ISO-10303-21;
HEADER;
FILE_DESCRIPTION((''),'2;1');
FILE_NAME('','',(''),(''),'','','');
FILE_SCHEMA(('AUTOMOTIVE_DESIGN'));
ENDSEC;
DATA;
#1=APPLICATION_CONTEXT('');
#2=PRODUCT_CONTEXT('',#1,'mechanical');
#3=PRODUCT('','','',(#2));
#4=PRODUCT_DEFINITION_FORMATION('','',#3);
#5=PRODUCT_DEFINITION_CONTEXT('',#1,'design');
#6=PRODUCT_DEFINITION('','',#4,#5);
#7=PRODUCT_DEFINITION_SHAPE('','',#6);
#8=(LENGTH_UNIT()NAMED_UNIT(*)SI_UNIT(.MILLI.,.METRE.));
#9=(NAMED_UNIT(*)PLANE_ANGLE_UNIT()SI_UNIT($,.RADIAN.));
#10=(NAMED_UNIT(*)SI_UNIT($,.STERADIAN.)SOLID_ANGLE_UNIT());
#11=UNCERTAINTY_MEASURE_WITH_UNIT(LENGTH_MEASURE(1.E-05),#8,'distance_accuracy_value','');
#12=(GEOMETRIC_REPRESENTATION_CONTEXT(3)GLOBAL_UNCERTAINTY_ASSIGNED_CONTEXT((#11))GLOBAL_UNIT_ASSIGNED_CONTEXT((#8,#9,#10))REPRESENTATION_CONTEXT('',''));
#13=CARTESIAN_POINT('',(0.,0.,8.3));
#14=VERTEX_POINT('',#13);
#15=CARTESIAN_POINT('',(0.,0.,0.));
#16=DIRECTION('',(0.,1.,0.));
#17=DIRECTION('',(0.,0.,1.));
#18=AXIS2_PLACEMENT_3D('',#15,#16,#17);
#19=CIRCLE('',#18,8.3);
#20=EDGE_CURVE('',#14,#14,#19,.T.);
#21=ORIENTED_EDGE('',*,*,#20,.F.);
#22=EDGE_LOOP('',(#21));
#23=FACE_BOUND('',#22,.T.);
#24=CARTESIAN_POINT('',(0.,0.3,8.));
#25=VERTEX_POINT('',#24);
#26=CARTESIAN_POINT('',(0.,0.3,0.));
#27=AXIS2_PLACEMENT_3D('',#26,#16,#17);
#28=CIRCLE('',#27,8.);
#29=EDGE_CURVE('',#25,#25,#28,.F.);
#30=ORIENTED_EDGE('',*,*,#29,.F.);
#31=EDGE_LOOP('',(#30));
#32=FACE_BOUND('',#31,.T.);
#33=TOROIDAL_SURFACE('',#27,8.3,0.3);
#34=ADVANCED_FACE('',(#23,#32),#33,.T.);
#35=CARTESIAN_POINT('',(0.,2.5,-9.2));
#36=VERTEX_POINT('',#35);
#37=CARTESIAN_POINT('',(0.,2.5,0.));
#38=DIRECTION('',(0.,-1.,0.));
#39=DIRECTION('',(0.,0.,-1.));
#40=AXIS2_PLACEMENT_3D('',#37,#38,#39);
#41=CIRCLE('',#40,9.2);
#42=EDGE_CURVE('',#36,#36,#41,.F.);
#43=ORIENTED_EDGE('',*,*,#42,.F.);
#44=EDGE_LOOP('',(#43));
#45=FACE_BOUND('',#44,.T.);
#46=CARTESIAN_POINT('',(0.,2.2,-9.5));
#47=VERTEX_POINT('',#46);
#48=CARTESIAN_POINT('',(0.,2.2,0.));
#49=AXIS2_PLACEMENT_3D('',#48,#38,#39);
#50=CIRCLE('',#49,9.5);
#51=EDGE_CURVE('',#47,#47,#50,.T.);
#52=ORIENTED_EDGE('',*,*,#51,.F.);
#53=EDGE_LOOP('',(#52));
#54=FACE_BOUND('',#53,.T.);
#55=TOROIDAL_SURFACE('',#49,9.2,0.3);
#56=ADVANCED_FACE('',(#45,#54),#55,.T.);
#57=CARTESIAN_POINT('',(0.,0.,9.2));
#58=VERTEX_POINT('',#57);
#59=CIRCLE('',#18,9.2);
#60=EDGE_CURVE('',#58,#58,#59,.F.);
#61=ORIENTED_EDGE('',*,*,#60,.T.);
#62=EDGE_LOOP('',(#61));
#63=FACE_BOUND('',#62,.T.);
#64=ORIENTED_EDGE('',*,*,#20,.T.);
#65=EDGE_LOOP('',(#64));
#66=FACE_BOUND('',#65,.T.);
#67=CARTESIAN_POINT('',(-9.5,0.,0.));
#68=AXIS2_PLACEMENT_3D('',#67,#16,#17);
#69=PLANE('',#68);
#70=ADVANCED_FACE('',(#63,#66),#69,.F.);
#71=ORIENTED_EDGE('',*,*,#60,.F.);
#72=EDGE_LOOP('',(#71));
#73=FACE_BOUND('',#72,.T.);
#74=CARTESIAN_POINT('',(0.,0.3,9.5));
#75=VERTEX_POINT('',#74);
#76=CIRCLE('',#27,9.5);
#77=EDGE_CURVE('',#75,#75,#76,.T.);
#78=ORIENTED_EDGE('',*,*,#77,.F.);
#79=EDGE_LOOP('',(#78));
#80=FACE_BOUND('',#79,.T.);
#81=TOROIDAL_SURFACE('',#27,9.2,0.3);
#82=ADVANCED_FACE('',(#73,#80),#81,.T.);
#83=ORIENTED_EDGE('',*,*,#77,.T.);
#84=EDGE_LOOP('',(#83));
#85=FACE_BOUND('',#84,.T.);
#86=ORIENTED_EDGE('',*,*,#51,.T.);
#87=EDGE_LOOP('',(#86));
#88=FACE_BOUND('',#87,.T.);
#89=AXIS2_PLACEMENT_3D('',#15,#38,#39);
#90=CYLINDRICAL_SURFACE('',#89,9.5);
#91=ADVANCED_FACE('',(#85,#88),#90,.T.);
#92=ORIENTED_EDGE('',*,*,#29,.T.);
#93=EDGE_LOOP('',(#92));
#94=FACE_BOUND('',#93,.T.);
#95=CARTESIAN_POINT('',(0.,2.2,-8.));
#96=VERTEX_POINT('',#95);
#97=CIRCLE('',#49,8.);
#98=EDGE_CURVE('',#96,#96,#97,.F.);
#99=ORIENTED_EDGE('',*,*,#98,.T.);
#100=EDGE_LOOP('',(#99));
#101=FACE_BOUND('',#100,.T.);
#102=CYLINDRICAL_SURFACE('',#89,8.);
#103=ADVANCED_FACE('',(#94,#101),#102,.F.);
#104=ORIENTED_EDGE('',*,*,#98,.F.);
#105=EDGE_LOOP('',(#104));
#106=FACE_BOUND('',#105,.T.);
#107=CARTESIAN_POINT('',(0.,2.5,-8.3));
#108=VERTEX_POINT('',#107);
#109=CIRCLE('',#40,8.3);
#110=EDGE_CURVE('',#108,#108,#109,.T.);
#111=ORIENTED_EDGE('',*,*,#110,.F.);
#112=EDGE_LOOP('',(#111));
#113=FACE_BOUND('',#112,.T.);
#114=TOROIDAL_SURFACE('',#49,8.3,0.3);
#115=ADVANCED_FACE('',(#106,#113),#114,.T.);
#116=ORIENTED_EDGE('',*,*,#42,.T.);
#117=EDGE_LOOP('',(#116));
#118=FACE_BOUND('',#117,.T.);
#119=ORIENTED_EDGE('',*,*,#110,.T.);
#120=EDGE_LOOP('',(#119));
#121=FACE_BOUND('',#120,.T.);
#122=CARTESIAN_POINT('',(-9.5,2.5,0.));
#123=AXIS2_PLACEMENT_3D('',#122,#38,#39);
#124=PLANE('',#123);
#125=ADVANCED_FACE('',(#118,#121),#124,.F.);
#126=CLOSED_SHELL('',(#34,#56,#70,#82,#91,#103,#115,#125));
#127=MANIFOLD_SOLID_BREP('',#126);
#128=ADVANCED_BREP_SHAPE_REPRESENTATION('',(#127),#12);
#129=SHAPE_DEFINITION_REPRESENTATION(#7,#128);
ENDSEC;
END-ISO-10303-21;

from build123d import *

# Parameters (mm, degrees)
SKETCH_1_W = 1.5
SKETCH_1_H = 2.5
FILLET_1_R = 0.3


with BuildPart() as part:
    # Эскиз1 → Повернуть1 (revolve)
    with BuildSketch(Plane.XY, mode=Mode.PRIVATE) as revolve_1_sk:
        with Locations((-8.75, 1.25)):
            Rectangle(SKETCH_1_W, SKETCH_1_H)
    revolve(revolve_1_sk.sketch.rotate(Axis((0, 0, 0), (0, 1, 0)), 270), axis=Axis((0, 0, 0), (0, 1, 0)))

    # Скругление1
    fillet_1_edges = [part.edges().sort_by_distance(p)[0] for p in [
        (0, 2.5, 9.5),
        (0, 2.5, 8),
        (0, 0, 8),
        (0, 0, 9.5),
    ]]
    fillet(fillet_1_edges, radius=FILLET_1_R)


solid = part.part
